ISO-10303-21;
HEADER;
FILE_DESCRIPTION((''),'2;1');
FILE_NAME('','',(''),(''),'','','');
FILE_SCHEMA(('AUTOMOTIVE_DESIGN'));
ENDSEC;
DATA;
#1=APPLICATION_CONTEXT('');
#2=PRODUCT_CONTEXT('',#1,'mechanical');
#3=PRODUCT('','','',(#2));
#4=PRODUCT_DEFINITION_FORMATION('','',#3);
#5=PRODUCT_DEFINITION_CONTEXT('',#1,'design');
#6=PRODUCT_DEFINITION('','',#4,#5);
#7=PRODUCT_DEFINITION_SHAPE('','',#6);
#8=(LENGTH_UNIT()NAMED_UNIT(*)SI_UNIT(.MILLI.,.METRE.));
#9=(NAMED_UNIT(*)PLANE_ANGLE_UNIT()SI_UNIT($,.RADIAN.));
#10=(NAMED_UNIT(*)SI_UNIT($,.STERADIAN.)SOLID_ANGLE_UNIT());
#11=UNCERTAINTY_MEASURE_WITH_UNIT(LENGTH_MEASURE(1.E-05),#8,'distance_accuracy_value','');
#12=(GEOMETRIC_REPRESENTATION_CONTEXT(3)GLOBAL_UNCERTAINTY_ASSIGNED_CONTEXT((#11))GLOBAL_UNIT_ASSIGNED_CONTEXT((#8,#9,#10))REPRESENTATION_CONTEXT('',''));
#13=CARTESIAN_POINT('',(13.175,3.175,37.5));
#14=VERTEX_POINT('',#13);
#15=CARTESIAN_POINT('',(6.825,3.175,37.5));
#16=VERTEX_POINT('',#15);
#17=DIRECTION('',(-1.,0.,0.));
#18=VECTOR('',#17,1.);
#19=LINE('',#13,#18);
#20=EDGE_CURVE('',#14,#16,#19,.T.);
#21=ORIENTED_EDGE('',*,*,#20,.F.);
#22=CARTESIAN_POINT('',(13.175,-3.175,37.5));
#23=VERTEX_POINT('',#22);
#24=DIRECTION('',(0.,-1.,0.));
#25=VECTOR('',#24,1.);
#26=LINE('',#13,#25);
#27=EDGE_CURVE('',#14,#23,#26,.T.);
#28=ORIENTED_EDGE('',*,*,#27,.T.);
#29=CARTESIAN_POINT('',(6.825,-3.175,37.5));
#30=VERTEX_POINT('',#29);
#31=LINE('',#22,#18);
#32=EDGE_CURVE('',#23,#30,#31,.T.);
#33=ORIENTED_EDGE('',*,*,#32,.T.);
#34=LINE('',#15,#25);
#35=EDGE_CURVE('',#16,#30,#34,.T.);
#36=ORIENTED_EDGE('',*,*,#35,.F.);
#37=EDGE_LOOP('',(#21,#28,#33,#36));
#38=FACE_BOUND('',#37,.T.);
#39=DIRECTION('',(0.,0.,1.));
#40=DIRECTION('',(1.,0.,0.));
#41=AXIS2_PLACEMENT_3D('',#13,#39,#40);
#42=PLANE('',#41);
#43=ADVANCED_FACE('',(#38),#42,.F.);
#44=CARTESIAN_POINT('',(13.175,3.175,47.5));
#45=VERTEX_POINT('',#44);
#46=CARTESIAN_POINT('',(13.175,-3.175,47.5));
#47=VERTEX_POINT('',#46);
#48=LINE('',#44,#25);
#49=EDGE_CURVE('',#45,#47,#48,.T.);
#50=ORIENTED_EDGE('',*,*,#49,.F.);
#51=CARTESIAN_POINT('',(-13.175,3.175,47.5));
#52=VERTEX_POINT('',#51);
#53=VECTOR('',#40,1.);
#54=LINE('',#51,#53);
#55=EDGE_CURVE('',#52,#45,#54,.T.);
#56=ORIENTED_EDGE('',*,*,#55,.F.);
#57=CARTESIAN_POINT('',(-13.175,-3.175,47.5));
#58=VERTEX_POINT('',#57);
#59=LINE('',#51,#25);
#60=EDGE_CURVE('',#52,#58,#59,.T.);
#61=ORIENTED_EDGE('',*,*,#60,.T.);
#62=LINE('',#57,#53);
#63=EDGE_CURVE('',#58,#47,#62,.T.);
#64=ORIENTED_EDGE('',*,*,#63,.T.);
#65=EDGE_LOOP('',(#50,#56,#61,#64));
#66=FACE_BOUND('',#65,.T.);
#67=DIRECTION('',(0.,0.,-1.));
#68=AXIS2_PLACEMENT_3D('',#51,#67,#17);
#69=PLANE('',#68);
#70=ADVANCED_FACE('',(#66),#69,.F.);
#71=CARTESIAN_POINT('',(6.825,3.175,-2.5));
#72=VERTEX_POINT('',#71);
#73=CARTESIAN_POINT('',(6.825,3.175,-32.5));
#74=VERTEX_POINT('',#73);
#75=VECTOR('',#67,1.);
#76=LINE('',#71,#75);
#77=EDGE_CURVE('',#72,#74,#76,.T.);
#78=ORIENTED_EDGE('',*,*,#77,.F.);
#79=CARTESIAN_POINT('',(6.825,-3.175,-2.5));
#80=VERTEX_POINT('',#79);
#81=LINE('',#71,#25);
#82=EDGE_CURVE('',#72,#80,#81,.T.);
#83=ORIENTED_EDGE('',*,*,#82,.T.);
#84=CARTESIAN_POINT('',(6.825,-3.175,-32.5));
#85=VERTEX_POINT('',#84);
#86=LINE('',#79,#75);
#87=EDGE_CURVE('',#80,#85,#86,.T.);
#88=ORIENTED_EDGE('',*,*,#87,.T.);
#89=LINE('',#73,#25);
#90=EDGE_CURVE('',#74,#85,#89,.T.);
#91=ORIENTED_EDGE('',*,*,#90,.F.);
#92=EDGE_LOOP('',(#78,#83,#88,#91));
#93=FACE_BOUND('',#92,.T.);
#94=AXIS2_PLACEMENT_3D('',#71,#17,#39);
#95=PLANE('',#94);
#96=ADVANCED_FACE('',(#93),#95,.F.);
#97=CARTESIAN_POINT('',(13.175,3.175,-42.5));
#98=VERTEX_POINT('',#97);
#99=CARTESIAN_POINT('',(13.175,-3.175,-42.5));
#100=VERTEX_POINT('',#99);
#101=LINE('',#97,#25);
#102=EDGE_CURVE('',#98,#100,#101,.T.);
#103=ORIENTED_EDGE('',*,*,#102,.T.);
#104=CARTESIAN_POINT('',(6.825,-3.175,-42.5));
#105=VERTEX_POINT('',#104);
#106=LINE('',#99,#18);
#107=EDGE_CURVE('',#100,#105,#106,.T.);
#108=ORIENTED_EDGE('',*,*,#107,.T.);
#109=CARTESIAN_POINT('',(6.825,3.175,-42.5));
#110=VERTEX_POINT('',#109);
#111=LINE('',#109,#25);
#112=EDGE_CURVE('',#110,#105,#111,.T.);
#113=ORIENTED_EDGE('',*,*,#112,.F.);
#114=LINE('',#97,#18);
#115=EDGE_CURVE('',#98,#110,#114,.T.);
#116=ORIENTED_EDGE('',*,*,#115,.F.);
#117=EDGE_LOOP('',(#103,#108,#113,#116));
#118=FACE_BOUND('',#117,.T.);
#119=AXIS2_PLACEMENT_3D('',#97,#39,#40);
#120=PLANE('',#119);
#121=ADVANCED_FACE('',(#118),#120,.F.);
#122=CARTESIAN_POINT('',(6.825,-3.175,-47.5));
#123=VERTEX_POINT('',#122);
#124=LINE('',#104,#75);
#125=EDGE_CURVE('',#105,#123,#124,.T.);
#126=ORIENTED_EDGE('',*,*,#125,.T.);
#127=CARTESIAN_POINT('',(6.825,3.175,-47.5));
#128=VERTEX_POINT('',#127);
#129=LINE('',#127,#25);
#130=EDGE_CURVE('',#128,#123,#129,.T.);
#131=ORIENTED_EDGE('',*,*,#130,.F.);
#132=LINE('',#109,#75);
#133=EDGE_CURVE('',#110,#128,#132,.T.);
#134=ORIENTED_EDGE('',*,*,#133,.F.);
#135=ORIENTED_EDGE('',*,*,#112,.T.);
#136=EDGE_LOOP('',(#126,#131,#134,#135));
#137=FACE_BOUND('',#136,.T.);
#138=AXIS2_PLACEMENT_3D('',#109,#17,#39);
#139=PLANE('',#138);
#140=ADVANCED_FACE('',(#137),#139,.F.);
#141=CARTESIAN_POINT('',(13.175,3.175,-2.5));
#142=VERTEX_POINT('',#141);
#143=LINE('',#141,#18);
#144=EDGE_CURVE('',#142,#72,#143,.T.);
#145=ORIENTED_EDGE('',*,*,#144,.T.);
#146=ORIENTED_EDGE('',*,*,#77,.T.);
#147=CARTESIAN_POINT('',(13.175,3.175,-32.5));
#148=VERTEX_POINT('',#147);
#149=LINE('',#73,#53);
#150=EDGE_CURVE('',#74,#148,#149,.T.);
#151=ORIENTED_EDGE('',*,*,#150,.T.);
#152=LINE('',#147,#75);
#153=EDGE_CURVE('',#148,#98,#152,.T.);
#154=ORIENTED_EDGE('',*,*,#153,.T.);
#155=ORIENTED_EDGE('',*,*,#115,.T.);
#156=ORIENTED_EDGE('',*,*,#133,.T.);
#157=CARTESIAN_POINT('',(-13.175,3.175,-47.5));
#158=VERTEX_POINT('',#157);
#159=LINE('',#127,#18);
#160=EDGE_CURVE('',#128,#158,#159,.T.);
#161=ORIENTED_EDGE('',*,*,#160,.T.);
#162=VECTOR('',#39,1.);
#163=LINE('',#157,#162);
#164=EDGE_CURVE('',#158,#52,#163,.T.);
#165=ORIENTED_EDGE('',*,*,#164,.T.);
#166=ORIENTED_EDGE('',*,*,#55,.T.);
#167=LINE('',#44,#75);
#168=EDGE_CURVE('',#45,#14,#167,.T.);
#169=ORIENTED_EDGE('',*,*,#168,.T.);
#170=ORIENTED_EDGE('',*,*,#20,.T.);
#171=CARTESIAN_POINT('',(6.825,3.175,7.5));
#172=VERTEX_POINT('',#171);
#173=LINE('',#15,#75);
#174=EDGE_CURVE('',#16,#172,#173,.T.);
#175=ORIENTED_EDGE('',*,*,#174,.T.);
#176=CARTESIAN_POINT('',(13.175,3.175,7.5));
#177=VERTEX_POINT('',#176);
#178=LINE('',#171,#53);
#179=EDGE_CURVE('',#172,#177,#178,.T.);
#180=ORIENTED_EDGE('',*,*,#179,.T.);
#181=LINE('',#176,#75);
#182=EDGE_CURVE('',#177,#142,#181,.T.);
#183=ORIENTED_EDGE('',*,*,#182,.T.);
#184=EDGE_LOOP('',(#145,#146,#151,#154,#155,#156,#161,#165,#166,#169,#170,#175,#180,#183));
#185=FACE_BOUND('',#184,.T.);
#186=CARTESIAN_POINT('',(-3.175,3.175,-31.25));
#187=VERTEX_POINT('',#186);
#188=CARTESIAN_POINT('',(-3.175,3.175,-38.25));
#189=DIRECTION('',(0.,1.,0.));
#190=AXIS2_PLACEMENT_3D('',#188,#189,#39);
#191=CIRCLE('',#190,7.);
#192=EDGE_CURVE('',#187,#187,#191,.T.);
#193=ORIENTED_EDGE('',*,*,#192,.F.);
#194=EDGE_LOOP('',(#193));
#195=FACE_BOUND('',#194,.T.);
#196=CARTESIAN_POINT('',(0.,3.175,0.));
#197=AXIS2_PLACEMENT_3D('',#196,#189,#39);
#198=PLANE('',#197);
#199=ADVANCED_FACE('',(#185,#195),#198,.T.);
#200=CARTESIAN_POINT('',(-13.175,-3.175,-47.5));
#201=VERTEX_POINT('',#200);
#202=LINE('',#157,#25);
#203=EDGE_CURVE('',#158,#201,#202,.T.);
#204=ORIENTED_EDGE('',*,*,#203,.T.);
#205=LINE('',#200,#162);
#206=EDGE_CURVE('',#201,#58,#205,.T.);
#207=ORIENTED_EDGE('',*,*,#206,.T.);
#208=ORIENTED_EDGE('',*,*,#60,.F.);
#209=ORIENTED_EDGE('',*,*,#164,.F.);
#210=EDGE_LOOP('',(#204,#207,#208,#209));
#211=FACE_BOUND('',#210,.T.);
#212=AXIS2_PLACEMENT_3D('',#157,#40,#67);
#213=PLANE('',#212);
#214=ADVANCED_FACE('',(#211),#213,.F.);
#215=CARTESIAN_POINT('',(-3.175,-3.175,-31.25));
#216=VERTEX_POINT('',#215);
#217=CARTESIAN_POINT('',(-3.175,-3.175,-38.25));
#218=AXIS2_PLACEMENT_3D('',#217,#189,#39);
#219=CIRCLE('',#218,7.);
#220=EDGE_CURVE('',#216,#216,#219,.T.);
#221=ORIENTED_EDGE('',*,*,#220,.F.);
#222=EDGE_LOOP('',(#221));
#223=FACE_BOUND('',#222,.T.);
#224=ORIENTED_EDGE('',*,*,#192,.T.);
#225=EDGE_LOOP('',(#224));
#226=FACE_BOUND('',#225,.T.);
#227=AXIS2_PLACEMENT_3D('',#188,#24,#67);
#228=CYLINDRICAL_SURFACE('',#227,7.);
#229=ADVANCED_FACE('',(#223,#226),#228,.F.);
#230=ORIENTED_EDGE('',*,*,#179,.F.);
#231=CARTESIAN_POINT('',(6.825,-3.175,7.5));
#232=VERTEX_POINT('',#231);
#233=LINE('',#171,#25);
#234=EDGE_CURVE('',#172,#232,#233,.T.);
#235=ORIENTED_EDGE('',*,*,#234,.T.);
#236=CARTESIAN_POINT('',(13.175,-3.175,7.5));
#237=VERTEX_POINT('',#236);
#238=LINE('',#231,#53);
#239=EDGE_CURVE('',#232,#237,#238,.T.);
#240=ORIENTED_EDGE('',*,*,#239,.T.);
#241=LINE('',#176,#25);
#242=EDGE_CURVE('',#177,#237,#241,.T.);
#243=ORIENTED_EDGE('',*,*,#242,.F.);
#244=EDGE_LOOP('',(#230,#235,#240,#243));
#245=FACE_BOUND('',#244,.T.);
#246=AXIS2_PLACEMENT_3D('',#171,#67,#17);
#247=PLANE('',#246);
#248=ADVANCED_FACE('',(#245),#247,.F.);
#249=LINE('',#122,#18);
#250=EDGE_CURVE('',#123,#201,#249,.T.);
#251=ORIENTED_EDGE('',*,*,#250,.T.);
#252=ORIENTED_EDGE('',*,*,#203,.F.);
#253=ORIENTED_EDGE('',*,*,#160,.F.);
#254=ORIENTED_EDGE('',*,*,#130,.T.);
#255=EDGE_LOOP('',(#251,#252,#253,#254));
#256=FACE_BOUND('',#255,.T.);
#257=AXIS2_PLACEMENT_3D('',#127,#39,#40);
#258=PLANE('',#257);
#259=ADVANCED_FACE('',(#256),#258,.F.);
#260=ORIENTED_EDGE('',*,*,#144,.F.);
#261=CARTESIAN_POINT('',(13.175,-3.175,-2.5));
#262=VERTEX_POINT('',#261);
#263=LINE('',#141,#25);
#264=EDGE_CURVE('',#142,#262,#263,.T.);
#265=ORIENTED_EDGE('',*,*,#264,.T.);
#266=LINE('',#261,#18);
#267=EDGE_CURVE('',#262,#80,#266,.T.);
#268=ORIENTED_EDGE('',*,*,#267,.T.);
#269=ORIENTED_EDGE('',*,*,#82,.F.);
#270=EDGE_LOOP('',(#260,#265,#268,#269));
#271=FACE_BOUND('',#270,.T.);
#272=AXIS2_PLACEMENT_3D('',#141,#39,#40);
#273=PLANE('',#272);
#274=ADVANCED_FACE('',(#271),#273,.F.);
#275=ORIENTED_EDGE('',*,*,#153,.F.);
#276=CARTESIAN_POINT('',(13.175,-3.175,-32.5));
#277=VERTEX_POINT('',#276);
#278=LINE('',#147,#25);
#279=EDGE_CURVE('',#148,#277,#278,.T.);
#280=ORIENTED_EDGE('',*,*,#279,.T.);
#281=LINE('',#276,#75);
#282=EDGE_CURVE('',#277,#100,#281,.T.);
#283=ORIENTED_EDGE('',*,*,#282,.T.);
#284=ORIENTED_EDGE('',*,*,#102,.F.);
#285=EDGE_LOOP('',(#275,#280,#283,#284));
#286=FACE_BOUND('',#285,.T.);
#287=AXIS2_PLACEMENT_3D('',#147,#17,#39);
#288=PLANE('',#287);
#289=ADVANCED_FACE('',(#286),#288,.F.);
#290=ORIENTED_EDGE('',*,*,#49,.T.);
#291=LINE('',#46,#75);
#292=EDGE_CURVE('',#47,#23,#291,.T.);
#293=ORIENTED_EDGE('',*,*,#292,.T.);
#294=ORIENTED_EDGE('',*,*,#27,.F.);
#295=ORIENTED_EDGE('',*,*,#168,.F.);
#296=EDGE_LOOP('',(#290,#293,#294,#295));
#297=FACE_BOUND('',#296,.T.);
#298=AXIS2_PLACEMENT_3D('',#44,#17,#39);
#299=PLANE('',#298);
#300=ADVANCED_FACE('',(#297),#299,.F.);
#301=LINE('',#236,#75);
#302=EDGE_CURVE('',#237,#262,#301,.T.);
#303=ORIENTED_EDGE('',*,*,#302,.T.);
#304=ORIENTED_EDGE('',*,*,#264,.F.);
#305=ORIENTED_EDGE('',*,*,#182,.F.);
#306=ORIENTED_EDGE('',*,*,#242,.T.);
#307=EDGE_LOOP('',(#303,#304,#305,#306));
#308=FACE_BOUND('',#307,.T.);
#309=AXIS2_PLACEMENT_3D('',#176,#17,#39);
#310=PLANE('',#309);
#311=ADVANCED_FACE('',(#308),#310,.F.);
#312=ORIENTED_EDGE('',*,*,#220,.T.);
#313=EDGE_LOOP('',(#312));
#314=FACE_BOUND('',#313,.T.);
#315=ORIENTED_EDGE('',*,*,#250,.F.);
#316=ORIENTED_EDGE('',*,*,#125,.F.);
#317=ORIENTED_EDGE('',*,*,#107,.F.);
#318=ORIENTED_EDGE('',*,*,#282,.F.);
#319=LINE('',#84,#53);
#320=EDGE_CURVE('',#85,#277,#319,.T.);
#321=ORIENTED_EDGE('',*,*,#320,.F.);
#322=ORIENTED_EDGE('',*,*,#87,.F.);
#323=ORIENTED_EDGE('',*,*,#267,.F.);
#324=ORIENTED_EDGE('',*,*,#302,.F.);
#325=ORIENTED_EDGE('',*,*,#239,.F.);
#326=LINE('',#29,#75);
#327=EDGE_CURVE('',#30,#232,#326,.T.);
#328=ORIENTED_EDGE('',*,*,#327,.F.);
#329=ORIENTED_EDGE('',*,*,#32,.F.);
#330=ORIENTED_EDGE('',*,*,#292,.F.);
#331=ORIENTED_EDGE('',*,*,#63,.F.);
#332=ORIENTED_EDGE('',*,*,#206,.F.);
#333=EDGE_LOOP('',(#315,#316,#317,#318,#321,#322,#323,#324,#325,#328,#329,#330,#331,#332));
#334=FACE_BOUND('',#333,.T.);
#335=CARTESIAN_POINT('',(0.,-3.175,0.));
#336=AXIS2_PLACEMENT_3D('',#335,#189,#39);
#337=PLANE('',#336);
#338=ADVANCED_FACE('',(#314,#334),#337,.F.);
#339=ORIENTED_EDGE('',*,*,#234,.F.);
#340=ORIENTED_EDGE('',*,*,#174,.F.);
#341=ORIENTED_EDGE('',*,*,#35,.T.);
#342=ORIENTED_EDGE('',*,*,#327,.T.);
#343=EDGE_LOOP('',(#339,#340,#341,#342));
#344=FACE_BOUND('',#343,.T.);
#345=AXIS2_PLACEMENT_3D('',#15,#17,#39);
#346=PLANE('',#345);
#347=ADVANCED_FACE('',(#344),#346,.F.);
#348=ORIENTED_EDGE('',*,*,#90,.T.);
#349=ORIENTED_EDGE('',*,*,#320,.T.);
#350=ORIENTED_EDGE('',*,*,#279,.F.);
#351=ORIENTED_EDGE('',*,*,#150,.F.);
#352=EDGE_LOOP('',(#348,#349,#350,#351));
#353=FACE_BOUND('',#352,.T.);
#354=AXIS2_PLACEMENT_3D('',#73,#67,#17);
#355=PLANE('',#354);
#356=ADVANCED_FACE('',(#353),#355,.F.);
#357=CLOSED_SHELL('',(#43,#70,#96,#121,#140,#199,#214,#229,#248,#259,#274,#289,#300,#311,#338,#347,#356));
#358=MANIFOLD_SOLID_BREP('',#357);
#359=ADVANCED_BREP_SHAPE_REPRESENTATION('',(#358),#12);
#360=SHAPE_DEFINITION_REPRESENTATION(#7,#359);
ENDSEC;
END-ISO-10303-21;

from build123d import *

# Parameters (mm, degrees)
SKETCH1_R           = 7
BOSS_EXTRUDE1_DEPTH = 3.175


with BuildPart() as part:
    # Sketch1 → Boss-Extrude1 (new, symmetric)
    with BuildSketch(Plane(origin=(0, 0, 0), x_dir=(1, 0, 0), z_dir=(0, 1, 0))):
        Polygon((-13.175, 47.5), (-13.175, -47.5), (13.175, -47.5), (13.175, -37.5), (6.825, -37.5), (6.825, -7.5), (13.175, -7.5), (13.175, 2.5), (6.825, 2.5), (6.825, 32.5), (13.175, 32.5), (13.175, 42.5), (6.825, 42.5), (6.825, 47.5), align=None)
        with Locations(Location((-3.175, 38.25, 0), (0, 0, 270))):
            Circle(SKETCH1_R, mode=Mode.SUBTRACT)
    extrude(amount=BOSS_EXTRUDE1_DEPTH, both=True)


solid = part.part
